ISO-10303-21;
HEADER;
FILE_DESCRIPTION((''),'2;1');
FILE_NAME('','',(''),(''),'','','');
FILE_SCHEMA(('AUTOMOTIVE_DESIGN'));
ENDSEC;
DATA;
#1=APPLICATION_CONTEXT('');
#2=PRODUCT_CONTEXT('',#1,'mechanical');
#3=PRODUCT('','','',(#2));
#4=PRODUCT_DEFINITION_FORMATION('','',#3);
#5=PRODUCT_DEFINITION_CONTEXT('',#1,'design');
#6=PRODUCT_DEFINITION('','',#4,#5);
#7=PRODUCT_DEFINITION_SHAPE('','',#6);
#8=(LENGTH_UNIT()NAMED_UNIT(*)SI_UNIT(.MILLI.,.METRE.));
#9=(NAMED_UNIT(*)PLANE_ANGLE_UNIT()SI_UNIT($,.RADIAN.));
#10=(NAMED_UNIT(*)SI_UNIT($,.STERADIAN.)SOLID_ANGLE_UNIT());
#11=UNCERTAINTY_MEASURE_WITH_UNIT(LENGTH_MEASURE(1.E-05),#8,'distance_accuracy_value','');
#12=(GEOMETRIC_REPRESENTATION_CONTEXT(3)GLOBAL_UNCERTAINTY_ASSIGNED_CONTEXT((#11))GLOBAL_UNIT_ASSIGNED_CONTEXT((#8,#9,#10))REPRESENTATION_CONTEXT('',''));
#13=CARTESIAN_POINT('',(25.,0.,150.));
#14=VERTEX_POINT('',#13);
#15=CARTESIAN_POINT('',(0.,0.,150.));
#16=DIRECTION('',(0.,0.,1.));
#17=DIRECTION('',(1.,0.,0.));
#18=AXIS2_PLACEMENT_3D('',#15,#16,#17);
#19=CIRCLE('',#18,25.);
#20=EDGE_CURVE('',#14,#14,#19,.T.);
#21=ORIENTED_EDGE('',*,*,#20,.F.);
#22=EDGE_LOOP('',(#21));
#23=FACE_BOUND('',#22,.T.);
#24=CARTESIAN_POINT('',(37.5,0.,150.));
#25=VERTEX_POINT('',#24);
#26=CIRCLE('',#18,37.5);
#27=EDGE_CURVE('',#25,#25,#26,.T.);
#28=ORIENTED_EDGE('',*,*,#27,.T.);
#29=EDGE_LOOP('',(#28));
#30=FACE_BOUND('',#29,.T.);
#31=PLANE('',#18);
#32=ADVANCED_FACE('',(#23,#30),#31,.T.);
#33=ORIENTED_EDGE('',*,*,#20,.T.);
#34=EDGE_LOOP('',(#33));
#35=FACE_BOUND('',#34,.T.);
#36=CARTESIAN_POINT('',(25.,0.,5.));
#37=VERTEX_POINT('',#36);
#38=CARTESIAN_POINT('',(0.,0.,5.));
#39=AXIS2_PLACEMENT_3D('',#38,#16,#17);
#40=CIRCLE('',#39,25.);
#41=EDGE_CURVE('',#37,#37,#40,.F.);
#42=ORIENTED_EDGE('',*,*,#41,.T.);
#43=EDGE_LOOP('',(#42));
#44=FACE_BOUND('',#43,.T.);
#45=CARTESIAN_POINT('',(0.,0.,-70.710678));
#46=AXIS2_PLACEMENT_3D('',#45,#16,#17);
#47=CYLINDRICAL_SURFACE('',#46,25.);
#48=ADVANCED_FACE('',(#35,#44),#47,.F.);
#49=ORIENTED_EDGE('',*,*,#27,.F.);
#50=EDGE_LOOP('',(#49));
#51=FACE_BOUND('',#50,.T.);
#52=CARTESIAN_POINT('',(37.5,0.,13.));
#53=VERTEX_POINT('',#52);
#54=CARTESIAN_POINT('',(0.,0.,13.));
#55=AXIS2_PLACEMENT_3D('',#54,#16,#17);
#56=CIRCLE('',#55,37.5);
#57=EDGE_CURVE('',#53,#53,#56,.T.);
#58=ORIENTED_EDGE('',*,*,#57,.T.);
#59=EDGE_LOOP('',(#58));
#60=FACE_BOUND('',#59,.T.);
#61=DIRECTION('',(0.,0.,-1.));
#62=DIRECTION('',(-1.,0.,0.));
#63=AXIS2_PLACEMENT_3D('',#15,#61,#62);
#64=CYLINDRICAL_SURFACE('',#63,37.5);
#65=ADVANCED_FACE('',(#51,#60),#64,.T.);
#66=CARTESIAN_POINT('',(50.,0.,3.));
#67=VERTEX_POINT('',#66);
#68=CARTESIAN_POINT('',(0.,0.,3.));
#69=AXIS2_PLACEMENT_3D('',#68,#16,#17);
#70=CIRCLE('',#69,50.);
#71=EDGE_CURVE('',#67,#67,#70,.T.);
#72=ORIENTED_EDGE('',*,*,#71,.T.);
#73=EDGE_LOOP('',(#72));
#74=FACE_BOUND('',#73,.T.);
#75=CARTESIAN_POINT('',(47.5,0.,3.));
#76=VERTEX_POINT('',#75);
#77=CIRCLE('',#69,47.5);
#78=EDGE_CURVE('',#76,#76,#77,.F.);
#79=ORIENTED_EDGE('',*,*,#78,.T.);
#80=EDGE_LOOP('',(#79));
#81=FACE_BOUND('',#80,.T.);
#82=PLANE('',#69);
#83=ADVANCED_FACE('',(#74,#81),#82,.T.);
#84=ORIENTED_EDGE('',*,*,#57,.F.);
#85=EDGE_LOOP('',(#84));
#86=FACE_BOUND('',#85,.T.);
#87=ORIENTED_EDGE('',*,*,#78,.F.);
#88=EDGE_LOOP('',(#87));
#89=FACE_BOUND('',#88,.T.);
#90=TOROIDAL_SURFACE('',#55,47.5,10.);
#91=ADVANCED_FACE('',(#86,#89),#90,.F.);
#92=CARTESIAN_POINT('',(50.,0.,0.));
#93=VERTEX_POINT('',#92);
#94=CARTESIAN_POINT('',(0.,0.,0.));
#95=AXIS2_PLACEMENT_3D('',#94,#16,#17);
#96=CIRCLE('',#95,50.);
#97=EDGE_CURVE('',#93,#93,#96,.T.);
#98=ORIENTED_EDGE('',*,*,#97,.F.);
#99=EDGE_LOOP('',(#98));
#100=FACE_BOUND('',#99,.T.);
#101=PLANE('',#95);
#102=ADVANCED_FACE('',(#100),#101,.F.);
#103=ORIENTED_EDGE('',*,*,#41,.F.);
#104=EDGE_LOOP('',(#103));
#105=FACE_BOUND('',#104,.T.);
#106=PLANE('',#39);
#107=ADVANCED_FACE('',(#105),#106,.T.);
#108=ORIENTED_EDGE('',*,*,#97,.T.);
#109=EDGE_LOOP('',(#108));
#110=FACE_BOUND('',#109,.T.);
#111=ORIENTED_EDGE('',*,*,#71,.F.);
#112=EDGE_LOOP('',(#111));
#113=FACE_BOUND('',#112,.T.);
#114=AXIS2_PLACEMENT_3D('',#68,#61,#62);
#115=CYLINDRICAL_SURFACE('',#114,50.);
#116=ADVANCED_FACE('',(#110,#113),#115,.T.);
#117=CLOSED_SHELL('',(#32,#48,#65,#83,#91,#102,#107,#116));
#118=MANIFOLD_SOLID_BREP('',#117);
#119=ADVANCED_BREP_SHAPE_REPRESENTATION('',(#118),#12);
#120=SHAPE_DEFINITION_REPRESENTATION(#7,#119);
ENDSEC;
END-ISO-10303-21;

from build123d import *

# Parameters (mm, degrees)
SKETCH1_R           = 37.5
BOSS_EXTRUDE1_DEPTH = 150
CUT_EXTRUDE1_START  = 150
SKETCH2_R           = 25
CUT_EXTRUDE1_DEPTH  = 145
SKETCH3_R           = 50
BOSS_EXTRUDE2_DEPTH = 3
FILLET1_R           = 10


with BuildPart() as part:
    # Sketch1 → Boss-Extrude1 (new body)
    with BuildSketch(Plane.XY):
        Circle(SKETCH1_R)
    extrude(amount=BOSS_EXTRUDE1_DEPTH)

    # Sketch2 → Cut-Extrude1 (cut)
    with BuildSketch(Plane.XY.offset(CUT_EXTRUDE1_START)):
        Circle(SKETCH2_R)
    extrude(amount=-CUT_EXTRUDE1_DEPTH, mode=Mode.SUBTRACT)

    # Sketch3 → Boss-Extrude2 (add)
    with BuildSketch(Plane.XY):
        Circle(SKETCH3_R)
    extrude(amount=BOSS_EXTRUDE2_DEPTH)

    # Fillet1
    fillet1_edges = [part.edges().sort_by_distance(p)[0] for p in [
        (-37.5, 0, 3),
    ]]
    fillet(fillet1_edges, radius=FILLET1_R)


solid = part.part
